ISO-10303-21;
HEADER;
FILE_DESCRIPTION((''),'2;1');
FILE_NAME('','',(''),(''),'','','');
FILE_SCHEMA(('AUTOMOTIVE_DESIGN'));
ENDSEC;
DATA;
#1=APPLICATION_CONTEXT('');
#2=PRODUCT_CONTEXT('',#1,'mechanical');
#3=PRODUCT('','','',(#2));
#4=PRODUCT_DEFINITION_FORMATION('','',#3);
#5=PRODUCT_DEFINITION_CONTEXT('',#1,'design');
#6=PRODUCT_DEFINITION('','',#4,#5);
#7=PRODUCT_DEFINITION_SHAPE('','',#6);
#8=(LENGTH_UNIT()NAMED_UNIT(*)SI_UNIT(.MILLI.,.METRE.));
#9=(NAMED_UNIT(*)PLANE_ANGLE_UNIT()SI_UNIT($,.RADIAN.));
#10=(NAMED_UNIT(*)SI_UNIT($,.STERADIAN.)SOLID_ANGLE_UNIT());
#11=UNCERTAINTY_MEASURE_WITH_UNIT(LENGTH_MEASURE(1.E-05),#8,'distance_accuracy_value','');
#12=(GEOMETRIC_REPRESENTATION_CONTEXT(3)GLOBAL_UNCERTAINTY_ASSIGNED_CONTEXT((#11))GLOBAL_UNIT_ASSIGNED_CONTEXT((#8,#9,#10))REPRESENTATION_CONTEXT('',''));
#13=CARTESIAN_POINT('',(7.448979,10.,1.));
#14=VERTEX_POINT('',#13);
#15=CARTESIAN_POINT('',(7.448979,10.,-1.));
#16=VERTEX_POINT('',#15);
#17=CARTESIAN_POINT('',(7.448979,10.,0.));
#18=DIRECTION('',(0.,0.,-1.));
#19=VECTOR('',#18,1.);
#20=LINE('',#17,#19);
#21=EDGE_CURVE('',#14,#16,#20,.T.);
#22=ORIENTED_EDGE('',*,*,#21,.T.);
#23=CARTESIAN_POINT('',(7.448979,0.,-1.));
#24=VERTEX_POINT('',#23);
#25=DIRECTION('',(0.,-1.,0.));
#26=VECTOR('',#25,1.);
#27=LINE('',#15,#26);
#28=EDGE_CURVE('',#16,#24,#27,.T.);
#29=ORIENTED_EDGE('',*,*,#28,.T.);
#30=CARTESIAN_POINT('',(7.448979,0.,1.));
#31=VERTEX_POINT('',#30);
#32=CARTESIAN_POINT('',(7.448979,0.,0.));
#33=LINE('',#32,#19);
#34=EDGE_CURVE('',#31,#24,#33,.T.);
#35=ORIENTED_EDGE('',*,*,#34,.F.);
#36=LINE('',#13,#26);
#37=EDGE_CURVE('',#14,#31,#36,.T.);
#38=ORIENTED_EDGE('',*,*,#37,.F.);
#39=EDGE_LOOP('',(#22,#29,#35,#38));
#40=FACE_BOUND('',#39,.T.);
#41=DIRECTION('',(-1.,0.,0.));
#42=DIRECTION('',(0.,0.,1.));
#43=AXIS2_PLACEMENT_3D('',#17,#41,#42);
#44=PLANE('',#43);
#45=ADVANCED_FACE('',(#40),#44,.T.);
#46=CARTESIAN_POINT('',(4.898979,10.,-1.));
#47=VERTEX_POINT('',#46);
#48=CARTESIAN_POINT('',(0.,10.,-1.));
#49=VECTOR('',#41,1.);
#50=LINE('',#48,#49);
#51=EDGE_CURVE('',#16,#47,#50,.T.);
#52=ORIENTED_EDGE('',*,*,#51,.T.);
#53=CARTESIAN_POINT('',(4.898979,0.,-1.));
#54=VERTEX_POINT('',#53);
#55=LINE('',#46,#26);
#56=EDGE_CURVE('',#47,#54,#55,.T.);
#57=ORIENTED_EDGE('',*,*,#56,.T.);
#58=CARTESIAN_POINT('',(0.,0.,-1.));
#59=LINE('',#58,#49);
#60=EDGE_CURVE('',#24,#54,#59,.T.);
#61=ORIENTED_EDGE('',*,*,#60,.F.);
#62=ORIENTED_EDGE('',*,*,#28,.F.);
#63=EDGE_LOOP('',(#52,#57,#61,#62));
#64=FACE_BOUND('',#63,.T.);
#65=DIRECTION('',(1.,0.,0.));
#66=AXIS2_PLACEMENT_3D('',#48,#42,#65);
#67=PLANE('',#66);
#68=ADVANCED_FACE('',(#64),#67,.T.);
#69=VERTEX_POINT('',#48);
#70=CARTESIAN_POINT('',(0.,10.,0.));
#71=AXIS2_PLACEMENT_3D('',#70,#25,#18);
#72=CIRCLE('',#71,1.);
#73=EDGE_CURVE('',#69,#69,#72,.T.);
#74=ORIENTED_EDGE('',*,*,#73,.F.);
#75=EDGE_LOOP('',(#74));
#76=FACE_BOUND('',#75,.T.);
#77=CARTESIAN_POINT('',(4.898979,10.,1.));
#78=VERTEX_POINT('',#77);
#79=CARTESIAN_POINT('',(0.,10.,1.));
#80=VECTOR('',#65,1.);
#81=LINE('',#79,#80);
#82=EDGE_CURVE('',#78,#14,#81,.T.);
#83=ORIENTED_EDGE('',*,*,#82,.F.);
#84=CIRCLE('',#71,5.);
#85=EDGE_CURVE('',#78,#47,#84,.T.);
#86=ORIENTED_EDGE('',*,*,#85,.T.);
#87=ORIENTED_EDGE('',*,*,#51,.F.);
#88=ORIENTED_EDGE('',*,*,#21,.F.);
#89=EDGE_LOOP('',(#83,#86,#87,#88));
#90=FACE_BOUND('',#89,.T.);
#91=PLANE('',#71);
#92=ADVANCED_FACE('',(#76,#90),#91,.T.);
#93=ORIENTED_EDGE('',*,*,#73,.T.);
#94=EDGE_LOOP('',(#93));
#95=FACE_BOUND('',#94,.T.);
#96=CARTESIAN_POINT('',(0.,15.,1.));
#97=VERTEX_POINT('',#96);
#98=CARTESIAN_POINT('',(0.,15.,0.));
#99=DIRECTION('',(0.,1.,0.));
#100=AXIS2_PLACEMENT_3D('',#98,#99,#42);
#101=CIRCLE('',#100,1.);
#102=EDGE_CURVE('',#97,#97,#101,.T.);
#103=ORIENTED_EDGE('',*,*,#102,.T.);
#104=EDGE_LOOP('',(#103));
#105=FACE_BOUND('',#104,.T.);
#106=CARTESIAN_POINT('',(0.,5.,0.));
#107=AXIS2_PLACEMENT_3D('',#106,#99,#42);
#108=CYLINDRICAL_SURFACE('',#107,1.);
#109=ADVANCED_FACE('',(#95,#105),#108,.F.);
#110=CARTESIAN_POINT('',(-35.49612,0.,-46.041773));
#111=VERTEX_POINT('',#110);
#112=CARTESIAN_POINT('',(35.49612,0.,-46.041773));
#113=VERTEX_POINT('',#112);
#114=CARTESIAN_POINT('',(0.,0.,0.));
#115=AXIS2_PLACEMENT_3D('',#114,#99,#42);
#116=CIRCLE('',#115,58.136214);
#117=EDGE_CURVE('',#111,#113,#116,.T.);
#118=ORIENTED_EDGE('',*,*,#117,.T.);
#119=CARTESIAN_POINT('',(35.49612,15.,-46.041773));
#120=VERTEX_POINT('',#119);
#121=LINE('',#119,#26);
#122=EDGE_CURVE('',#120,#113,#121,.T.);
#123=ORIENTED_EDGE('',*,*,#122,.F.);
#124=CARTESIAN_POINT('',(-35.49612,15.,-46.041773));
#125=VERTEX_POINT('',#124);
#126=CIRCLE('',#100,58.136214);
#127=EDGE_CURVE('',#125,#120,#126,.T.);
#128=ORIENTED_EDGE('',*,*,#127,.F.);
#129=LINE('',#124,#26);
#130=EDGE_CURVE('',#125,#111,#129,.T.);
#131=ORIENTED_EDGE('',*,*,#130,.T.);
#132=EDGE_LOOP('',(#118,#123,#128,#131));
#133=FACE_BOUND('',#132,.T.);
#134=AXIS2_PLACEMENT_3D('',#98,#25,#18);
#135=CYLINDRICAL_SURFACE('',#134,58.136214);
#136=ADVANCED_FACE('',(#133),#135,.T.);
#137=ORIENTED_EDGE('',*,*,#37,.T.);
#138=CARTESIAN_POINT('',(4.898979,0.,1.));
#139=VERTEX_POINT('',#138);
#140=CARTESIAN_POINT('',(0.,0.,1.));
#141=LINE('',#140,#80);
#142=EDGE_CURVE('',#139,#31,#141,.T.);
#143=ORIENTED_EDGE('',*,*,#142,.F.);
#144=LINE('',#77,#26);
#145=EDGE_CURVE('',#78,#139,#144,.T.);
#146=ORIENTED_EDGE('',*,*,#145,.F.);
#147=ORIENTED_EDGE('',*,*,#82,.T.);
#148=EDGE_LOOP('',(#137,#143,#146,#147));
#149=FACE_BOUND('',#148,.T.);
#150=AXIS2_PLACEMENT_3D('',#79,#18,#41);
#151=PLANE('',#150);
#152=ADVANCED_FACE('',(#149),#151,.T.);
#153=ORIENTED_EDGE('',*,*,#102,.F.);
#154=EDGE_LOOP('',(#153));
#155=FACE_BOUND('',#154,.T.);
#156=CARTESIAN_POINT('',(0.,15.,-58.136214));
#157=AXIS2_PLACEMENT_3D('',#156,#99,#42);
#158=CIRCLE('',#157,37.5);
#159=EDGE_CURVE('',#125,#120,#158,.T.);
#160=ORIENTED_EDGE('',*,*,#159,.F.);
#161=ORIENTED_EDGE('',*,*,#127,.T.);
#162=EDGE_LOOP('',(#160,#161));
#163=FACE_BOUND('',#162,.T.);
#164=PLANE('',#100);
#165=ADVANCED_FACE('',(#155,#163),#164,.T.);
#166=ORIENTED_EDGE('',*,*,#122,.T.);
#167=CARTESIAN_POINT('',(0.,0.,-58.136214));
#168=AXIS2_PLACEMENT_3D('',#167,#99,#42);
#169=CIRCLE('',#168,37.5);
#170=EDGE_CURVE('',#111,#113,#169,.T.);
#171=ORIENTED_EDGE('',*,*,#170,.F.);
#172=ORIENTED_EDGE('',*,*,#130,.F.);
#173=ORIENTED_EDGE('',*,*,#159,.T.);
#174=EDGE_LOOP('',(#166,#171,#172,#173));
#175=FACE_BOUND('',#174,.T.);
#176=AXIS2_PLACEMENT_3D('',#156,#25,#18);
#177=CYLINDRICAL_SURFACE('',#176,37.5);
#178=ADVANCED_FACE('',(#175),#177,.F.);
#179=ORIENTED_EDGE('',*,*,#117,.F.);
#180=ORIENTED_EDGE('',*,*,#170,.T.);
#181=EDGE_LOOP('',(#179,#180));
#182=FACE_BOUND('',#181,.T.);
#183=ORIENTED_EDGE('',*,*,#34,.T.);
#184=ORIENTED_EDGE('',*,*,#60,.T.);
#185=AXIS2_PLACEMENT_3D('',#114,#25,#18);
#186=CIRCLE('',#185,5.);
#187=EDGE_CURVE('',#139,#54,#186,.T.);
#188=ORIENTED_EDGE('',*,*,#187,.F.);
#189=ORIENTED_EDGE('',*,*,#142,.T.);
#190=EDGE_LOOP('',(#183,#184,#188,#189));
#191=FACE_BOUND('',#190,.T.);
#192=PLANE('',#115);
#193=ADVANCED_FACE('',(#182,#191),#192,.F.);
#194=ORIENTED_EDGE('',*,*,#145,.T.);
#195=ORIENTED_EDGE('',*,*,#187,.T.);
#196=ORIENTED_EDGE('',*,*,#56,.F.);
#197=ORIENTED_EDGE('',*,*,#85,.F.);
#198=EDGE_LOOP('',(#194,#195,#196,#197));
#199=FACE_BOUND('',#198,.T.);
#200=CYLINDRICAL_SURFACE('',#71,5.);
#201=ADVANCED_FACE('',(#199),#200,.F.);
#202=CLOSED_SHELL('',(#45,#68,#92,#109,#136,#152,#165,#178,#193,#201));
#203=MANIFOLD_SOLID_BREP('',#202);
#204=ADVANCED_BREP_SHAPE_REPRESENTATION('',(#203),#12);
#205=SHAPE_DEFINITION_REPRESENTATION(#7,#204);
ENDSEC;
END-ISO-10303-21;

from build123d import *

# Parameters (mm, degrees)
BOSS_EXTRUDE1_DEPTH = 15
CUT_EXTRUDE1_DEPTH  = 10
SKETCH3_R           = 1
CUT_EXTRUDE2_DEPTH  = 10


with BuildPart() as part:
    # Sketch1 → Boss-Extrude1 (new body)
    with BuildSketch(Plane(origin=(0, 0, 0), x_dir=(1, 0, 0), z_dir=(0, 1, 0))):
        with BuildLine():
            ThreePointArc((-35.496119508, 46.04177293), (0, 20.636213797), (35.496119508, 46.04177293))
            ThreePointArc((35.496119508, 46.04177293), (0, -58.136213797), (-35.496119508, 46.04177293))
        make_face()
    extrude(amount=BOSS_EXTRUDE1_DEPTH)

    # Sketch2 → Cut-Extrude1 (cut)
    with BuildSketch(Plane.XZ):
        with BuildLine():
            Line((7.448979486, 1), (4.898979486, 1))
            ThreePointArc((4.898979486, 1), (-5, 0), (4.898979486, -1))
            Line((4.898979486, -1), (7.448979486, -1))
            Line((7.448979486, -1), (7.448979486, 1))
        make_face()
    extrude(amount=-CUT_EXTRUDE1_DEPTH, mode=Mode.SUBTRACT)

    # Sketch3 → Cut-Extrude2 (cut)
    with BuildSketch(Plane(origin=(0, 15, 0), x_dir=(1, 0, 0), z_dir=(0, 1, 0))):
        with Locations(Location((0, 0, 0), (0, 0, 270))):
            Circle(SKETCH3_R)
    extrude(amount=-CUT_EXTRUDE2_DEPTH, mode=Mode.SUBTRACT)


solid = part.part
